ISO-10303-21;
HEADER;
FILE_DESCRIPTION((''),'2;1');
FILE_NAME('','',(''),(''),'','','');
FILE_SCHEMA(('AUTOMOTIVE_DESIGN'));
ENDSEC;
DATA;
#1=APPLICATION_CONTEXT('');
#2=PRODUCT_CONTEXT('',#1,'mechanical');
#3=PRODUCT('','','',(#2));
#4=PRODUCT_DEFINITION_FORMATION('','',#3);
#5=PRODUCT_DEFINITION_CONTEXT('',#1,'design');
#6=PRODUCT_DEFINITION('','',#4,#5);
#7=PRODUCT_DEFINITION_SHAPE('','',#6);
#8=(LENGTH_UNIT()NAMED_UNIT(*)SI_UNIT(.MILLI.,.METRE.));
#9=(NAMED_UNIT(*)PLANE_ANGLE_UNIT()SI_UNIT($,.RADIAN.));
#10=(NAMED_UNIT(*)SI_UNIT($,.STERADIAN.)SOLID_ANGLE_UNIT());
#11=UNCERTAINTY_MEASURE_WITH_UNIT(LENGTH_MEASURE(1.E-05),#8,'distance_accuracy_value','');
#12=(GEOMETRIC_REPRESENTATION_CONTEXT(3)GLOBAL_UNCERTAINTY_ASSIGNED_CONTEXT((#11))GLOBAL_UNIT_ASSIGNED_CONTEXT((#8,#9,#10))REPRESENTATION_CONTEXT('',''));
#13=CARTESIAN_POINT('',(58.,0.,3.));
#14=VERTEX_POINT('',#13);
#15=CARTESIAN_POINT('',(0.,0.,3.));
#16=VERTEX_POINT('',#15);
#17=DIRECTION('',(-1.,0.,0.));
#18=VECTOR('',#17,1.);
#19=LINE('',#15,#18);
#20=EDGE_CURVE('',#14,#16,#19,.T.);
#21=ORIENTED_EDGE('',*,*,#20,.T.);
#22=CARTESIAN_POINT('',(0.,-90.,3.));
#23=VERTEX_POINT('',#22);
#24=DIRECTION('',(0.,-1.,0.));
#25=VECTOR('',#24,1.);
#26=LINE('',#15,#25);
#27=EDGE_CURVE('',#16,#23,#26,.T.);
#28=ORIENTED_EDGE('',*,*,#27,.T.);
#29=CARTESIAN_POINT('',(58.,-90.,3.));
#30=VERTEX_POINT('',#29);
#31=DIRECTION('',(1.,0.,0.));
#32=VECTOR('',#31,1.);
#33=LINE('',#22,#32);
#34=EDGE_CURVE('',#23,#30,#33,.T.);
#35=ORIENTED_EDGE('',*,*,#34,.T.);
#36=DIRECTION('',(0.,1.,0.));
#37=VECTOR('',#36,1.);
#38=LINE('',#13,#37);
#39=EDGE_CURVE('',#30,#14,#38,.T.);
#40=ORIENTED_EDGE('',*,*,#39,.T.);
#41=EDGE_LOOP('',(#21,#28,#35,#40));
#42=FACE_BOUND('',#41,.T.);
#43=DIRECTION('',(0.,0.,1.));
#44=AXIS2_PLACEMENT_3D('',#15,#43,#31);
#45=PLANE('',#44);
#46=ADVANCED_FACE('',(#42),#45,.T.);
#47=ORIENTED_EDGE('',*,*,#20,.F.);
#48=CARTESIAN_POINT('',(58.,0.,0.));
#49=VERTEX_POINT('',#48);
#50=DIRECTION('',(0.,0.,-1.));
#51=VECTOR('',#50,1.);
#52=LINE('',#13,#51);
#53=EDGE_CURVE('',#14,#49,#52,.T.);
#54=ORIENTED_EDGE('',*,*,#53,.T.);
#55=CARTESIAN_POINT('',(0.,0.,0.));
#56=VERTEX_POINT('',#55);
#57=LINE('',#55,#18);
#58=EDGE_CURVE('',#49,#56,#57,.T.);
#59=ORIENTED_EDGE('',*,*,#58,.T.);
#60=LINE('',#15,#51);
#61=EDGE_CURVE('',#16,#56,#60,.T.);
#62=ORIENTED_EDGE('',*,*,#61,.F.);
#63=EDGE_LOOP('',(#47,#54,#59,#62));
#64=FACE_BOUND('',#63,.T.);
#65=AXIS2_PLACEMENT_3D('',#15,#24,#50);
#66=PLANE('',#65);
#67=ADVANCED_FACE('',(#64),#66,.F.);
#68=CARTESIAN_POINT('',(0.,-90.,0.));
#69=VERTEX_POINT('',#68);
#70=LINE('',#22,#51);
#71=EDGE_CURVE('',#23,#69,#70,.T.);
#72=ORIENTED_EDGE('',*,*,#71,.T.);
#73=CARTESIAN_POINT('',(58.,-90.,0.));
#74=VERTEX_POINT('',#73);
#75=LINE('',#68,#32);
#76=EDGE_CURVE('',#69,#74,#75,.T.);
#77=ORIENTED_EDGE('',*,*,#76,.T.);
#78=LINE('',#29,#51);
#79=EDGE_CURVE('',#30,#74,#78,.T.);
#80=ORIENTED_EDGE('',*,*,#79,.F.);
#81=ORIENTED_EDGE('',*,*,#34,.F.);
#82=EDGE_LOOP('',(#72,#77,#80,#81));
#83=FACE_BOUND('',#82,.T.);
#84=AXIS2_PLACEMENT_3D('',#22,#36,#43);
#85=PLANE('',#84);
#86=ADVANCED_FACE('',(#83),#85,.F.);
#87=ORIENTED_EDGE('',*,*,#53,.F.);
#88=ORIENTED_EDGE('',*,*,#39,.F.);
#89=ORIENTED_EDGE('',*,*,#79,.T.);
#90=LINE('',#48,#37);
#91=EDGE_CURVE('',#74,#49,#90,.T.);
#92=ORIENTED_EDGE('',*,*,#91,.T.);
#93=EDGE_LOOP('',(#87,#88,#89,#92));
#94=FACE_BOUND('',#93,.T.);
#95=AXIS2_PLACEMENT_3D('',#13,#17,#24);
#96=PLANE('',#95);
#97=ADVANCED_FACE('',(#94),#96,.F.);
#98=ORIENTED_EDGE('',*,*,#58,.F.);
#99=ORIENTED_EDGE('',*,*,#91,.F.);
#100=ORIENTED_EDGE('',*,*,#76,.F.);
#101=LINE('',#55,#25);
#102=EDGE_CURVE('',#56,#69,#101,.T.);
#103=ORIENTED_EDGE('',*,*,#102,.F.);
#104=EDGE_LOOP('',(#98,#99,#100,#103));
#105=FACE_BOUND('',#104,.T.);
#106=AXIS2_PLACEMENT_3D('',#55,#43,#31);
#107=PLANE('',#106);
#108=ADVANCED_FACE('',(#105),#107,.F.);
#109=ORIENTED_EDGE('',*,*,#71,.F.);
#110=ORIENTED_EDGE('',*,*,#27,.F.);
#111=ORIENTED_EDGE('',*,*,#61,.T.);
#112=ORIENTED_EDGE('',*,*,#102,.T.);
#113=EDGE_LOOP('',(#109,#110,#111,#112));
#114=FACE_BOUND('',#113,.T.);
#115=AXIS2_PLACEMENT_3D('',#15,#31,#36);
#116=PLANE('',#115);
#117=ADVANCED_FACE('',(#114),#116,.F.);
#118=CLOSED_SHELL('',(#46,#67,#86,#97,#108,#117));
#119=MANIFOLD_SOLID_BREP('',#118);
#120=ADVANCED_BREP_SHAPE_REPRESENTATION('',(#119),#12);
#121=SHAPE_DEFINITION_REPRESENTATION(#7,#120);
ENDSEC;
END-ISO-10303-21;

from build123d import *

# Parameters (mm, degrees)
ESQUISSE1_W        = 58
ESQUISSE1_H        = 90
BOSS_EXTRU_1_DEPTH = 3


with BuildPart() as part:
    # Esquisse1 → Boss.-Extru.1 (new body)
    with BuildSketch(Plane.XY):
        with Locations((29, -45)):
            Rectangle(ESQUISSE1_W, ESQUISSE1_H)
    extrude(amount=BOSS_EXTRU_1_DEPTH)


solid = part.part
